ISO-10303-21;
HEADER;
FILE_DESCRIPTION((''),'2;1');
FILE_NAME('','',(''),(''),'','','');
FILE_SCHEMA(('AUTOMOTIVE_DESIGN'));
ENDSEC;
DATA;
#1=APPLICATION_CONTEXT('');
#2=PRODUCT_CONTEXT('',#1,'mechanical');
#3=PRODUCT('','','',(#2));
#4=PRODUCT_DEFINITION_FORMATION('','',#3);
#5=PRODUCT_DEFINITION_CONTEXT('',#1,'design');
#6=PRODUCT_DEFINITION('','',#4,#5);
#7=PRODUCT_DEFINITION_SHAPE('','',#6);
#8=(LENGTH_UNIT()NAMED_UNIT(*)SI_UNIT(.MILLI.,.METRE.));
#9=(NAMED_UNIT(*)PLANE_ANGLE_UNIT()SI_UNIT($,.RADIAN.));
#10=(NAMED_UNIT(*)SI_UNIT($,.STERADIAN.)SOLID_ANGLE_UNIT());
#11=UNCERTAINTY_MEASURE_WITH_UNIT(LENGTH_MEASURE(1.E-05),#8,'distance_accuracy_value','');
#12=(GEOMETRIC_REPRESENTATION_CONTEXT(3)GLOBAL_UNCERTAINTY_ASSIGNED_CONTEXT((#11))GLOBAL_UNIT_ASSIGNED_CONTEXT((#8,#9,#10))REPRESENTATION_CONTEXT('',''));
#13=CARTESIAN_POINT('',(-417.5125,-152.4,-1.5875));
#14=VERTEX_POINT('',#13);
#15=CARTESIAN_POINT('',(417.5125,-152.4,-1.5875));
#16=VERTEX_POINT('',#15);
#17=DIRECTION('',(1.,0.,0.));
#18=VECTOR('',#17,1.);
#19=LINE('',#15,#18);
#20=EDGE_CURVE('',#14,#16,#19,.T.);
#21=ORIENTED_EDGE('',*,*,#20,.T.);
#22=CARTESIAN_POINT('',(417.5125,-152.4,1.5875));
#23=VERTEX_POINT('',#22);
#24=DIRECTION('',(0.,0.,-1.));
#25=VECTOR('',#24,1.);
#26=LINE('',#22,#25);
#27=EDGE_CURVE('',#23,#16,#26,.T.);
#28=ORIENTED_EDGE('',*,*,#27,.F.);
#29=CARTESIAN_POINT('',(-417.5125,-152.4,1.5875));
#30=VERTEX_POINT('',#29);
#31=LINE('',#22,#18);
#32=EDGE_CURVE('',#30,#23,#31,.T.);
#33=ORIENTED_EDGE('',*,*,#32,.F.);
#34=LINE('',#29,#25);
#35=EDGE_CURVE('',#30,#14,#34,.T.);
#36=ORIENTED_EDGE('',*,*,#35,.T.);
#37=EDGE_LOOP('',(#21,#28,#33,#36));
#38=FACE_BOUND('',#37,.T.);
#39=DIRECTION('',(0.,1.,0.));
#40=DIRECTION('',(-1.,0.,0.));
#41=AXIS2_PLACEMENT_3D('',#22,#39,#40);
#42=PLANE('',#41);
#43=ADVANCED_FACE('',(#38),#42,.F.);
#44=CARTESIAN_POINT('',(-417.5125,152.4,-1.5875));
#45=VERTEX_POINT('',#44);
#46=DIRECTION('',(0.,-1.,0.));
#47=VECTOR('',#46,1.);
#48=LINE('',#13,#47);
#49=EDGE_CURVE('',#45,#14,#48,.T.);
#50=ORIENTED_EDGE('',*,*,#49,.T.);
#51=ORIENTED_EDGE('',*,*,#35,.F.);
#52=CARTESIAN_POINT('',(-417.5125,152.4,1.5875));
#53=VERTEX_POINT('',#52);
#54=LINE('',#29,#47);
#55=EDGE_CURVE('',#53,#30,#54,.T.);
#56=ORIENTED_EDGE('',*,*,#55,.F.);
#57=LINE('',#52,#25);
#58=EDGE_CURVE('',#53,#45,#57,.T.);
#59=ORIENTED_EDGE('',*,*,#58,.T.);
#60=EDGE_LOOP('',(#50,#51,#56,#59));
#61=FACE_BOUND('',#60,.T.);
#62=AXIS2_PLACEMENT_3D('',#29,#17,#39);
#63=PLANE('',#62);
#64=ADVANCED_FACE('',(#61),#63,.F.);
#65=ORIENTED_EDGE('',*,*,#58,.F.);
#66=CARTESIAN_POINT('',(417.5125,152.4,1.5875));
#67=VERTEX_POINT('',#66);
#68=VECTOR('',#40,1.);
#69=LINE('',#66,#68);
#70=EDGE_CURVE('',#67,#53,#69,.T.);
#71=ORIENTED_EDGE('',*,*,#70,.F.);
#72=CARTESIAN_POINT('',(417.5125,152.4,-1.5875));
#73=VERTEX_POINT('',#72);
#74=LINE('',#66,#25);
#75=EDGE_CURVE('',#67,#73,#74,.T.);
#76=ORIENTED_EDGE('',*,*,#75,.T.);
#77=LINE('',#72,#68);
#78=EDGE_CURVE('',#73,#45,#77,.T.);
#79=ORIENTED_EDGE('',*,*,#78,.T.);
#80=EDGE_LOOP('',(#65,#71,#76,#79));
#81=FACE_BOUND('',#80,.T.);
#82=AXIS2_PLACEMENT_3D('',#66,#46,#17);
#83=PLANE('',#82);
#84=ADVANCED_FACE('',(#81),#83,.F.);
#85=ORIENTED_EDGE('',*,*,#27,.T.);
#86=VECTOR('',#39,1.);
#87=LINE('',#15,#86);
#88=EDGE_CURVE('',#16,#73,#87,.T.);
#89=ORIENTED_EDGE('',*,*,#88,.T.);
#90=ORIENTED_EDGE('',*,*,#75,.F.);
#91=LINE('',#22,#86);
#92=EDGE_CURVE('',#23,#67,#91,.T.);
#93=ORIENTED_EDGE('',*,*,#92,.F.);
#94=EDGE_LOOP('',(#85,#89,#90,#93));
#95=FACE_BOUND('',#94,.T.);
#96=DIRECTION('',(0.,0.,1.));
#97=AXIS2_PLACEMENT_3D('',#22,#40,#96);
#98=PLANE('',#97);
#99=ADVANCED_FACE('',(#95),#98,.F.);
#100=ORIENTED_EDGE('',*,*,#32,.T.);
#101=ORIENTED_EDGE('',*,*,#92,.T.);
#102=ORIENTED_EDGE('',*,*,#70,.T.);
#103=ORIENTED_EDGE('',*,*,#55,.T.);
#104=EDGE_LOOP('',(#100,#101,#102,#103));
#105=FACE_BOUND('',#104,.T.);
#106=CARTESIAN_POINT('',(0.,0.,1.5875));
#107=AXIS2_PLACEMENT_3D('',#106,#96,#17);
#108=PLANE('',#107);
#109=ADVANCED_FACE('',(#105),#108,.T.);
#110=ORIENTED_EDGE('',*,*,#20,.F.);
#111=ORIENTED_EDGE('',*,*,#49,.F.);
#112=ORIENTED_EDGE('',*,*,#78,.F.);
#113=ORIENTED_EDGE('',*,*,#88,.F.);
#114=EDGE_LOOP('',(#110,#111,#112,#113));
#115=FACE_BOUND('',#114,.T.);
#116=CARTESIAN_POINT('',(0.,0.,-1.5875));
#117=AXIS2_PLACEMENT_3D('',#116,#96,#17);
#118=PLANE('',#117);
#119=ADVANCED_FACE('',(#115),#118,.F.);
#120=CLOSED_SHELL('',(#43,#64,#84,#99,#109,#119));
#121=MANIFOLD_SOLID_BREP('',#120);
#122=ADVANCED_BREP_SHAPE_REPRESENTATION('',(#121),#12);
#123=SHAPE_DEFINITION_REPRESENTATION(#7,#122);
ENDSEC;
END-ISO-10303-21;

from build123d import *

# Parameters (mm, degrees)
SKETCH1_W           = 835.025
SKETCH1_H           = 304.8
BOSS_EXTRUDE1_DEPTH = 1.5875


with BuildPart() as part:
    # Sketch1 → Boss-Extrude1 (new body, symmetric)
    with BuildSketch(Plane.XY):
        Rectangle(SKETCH1_W, SKETCH1_H)
    extrude(amount=BOSS_EXTRUDE1_DEPTH, both=True)


solid = part.part
